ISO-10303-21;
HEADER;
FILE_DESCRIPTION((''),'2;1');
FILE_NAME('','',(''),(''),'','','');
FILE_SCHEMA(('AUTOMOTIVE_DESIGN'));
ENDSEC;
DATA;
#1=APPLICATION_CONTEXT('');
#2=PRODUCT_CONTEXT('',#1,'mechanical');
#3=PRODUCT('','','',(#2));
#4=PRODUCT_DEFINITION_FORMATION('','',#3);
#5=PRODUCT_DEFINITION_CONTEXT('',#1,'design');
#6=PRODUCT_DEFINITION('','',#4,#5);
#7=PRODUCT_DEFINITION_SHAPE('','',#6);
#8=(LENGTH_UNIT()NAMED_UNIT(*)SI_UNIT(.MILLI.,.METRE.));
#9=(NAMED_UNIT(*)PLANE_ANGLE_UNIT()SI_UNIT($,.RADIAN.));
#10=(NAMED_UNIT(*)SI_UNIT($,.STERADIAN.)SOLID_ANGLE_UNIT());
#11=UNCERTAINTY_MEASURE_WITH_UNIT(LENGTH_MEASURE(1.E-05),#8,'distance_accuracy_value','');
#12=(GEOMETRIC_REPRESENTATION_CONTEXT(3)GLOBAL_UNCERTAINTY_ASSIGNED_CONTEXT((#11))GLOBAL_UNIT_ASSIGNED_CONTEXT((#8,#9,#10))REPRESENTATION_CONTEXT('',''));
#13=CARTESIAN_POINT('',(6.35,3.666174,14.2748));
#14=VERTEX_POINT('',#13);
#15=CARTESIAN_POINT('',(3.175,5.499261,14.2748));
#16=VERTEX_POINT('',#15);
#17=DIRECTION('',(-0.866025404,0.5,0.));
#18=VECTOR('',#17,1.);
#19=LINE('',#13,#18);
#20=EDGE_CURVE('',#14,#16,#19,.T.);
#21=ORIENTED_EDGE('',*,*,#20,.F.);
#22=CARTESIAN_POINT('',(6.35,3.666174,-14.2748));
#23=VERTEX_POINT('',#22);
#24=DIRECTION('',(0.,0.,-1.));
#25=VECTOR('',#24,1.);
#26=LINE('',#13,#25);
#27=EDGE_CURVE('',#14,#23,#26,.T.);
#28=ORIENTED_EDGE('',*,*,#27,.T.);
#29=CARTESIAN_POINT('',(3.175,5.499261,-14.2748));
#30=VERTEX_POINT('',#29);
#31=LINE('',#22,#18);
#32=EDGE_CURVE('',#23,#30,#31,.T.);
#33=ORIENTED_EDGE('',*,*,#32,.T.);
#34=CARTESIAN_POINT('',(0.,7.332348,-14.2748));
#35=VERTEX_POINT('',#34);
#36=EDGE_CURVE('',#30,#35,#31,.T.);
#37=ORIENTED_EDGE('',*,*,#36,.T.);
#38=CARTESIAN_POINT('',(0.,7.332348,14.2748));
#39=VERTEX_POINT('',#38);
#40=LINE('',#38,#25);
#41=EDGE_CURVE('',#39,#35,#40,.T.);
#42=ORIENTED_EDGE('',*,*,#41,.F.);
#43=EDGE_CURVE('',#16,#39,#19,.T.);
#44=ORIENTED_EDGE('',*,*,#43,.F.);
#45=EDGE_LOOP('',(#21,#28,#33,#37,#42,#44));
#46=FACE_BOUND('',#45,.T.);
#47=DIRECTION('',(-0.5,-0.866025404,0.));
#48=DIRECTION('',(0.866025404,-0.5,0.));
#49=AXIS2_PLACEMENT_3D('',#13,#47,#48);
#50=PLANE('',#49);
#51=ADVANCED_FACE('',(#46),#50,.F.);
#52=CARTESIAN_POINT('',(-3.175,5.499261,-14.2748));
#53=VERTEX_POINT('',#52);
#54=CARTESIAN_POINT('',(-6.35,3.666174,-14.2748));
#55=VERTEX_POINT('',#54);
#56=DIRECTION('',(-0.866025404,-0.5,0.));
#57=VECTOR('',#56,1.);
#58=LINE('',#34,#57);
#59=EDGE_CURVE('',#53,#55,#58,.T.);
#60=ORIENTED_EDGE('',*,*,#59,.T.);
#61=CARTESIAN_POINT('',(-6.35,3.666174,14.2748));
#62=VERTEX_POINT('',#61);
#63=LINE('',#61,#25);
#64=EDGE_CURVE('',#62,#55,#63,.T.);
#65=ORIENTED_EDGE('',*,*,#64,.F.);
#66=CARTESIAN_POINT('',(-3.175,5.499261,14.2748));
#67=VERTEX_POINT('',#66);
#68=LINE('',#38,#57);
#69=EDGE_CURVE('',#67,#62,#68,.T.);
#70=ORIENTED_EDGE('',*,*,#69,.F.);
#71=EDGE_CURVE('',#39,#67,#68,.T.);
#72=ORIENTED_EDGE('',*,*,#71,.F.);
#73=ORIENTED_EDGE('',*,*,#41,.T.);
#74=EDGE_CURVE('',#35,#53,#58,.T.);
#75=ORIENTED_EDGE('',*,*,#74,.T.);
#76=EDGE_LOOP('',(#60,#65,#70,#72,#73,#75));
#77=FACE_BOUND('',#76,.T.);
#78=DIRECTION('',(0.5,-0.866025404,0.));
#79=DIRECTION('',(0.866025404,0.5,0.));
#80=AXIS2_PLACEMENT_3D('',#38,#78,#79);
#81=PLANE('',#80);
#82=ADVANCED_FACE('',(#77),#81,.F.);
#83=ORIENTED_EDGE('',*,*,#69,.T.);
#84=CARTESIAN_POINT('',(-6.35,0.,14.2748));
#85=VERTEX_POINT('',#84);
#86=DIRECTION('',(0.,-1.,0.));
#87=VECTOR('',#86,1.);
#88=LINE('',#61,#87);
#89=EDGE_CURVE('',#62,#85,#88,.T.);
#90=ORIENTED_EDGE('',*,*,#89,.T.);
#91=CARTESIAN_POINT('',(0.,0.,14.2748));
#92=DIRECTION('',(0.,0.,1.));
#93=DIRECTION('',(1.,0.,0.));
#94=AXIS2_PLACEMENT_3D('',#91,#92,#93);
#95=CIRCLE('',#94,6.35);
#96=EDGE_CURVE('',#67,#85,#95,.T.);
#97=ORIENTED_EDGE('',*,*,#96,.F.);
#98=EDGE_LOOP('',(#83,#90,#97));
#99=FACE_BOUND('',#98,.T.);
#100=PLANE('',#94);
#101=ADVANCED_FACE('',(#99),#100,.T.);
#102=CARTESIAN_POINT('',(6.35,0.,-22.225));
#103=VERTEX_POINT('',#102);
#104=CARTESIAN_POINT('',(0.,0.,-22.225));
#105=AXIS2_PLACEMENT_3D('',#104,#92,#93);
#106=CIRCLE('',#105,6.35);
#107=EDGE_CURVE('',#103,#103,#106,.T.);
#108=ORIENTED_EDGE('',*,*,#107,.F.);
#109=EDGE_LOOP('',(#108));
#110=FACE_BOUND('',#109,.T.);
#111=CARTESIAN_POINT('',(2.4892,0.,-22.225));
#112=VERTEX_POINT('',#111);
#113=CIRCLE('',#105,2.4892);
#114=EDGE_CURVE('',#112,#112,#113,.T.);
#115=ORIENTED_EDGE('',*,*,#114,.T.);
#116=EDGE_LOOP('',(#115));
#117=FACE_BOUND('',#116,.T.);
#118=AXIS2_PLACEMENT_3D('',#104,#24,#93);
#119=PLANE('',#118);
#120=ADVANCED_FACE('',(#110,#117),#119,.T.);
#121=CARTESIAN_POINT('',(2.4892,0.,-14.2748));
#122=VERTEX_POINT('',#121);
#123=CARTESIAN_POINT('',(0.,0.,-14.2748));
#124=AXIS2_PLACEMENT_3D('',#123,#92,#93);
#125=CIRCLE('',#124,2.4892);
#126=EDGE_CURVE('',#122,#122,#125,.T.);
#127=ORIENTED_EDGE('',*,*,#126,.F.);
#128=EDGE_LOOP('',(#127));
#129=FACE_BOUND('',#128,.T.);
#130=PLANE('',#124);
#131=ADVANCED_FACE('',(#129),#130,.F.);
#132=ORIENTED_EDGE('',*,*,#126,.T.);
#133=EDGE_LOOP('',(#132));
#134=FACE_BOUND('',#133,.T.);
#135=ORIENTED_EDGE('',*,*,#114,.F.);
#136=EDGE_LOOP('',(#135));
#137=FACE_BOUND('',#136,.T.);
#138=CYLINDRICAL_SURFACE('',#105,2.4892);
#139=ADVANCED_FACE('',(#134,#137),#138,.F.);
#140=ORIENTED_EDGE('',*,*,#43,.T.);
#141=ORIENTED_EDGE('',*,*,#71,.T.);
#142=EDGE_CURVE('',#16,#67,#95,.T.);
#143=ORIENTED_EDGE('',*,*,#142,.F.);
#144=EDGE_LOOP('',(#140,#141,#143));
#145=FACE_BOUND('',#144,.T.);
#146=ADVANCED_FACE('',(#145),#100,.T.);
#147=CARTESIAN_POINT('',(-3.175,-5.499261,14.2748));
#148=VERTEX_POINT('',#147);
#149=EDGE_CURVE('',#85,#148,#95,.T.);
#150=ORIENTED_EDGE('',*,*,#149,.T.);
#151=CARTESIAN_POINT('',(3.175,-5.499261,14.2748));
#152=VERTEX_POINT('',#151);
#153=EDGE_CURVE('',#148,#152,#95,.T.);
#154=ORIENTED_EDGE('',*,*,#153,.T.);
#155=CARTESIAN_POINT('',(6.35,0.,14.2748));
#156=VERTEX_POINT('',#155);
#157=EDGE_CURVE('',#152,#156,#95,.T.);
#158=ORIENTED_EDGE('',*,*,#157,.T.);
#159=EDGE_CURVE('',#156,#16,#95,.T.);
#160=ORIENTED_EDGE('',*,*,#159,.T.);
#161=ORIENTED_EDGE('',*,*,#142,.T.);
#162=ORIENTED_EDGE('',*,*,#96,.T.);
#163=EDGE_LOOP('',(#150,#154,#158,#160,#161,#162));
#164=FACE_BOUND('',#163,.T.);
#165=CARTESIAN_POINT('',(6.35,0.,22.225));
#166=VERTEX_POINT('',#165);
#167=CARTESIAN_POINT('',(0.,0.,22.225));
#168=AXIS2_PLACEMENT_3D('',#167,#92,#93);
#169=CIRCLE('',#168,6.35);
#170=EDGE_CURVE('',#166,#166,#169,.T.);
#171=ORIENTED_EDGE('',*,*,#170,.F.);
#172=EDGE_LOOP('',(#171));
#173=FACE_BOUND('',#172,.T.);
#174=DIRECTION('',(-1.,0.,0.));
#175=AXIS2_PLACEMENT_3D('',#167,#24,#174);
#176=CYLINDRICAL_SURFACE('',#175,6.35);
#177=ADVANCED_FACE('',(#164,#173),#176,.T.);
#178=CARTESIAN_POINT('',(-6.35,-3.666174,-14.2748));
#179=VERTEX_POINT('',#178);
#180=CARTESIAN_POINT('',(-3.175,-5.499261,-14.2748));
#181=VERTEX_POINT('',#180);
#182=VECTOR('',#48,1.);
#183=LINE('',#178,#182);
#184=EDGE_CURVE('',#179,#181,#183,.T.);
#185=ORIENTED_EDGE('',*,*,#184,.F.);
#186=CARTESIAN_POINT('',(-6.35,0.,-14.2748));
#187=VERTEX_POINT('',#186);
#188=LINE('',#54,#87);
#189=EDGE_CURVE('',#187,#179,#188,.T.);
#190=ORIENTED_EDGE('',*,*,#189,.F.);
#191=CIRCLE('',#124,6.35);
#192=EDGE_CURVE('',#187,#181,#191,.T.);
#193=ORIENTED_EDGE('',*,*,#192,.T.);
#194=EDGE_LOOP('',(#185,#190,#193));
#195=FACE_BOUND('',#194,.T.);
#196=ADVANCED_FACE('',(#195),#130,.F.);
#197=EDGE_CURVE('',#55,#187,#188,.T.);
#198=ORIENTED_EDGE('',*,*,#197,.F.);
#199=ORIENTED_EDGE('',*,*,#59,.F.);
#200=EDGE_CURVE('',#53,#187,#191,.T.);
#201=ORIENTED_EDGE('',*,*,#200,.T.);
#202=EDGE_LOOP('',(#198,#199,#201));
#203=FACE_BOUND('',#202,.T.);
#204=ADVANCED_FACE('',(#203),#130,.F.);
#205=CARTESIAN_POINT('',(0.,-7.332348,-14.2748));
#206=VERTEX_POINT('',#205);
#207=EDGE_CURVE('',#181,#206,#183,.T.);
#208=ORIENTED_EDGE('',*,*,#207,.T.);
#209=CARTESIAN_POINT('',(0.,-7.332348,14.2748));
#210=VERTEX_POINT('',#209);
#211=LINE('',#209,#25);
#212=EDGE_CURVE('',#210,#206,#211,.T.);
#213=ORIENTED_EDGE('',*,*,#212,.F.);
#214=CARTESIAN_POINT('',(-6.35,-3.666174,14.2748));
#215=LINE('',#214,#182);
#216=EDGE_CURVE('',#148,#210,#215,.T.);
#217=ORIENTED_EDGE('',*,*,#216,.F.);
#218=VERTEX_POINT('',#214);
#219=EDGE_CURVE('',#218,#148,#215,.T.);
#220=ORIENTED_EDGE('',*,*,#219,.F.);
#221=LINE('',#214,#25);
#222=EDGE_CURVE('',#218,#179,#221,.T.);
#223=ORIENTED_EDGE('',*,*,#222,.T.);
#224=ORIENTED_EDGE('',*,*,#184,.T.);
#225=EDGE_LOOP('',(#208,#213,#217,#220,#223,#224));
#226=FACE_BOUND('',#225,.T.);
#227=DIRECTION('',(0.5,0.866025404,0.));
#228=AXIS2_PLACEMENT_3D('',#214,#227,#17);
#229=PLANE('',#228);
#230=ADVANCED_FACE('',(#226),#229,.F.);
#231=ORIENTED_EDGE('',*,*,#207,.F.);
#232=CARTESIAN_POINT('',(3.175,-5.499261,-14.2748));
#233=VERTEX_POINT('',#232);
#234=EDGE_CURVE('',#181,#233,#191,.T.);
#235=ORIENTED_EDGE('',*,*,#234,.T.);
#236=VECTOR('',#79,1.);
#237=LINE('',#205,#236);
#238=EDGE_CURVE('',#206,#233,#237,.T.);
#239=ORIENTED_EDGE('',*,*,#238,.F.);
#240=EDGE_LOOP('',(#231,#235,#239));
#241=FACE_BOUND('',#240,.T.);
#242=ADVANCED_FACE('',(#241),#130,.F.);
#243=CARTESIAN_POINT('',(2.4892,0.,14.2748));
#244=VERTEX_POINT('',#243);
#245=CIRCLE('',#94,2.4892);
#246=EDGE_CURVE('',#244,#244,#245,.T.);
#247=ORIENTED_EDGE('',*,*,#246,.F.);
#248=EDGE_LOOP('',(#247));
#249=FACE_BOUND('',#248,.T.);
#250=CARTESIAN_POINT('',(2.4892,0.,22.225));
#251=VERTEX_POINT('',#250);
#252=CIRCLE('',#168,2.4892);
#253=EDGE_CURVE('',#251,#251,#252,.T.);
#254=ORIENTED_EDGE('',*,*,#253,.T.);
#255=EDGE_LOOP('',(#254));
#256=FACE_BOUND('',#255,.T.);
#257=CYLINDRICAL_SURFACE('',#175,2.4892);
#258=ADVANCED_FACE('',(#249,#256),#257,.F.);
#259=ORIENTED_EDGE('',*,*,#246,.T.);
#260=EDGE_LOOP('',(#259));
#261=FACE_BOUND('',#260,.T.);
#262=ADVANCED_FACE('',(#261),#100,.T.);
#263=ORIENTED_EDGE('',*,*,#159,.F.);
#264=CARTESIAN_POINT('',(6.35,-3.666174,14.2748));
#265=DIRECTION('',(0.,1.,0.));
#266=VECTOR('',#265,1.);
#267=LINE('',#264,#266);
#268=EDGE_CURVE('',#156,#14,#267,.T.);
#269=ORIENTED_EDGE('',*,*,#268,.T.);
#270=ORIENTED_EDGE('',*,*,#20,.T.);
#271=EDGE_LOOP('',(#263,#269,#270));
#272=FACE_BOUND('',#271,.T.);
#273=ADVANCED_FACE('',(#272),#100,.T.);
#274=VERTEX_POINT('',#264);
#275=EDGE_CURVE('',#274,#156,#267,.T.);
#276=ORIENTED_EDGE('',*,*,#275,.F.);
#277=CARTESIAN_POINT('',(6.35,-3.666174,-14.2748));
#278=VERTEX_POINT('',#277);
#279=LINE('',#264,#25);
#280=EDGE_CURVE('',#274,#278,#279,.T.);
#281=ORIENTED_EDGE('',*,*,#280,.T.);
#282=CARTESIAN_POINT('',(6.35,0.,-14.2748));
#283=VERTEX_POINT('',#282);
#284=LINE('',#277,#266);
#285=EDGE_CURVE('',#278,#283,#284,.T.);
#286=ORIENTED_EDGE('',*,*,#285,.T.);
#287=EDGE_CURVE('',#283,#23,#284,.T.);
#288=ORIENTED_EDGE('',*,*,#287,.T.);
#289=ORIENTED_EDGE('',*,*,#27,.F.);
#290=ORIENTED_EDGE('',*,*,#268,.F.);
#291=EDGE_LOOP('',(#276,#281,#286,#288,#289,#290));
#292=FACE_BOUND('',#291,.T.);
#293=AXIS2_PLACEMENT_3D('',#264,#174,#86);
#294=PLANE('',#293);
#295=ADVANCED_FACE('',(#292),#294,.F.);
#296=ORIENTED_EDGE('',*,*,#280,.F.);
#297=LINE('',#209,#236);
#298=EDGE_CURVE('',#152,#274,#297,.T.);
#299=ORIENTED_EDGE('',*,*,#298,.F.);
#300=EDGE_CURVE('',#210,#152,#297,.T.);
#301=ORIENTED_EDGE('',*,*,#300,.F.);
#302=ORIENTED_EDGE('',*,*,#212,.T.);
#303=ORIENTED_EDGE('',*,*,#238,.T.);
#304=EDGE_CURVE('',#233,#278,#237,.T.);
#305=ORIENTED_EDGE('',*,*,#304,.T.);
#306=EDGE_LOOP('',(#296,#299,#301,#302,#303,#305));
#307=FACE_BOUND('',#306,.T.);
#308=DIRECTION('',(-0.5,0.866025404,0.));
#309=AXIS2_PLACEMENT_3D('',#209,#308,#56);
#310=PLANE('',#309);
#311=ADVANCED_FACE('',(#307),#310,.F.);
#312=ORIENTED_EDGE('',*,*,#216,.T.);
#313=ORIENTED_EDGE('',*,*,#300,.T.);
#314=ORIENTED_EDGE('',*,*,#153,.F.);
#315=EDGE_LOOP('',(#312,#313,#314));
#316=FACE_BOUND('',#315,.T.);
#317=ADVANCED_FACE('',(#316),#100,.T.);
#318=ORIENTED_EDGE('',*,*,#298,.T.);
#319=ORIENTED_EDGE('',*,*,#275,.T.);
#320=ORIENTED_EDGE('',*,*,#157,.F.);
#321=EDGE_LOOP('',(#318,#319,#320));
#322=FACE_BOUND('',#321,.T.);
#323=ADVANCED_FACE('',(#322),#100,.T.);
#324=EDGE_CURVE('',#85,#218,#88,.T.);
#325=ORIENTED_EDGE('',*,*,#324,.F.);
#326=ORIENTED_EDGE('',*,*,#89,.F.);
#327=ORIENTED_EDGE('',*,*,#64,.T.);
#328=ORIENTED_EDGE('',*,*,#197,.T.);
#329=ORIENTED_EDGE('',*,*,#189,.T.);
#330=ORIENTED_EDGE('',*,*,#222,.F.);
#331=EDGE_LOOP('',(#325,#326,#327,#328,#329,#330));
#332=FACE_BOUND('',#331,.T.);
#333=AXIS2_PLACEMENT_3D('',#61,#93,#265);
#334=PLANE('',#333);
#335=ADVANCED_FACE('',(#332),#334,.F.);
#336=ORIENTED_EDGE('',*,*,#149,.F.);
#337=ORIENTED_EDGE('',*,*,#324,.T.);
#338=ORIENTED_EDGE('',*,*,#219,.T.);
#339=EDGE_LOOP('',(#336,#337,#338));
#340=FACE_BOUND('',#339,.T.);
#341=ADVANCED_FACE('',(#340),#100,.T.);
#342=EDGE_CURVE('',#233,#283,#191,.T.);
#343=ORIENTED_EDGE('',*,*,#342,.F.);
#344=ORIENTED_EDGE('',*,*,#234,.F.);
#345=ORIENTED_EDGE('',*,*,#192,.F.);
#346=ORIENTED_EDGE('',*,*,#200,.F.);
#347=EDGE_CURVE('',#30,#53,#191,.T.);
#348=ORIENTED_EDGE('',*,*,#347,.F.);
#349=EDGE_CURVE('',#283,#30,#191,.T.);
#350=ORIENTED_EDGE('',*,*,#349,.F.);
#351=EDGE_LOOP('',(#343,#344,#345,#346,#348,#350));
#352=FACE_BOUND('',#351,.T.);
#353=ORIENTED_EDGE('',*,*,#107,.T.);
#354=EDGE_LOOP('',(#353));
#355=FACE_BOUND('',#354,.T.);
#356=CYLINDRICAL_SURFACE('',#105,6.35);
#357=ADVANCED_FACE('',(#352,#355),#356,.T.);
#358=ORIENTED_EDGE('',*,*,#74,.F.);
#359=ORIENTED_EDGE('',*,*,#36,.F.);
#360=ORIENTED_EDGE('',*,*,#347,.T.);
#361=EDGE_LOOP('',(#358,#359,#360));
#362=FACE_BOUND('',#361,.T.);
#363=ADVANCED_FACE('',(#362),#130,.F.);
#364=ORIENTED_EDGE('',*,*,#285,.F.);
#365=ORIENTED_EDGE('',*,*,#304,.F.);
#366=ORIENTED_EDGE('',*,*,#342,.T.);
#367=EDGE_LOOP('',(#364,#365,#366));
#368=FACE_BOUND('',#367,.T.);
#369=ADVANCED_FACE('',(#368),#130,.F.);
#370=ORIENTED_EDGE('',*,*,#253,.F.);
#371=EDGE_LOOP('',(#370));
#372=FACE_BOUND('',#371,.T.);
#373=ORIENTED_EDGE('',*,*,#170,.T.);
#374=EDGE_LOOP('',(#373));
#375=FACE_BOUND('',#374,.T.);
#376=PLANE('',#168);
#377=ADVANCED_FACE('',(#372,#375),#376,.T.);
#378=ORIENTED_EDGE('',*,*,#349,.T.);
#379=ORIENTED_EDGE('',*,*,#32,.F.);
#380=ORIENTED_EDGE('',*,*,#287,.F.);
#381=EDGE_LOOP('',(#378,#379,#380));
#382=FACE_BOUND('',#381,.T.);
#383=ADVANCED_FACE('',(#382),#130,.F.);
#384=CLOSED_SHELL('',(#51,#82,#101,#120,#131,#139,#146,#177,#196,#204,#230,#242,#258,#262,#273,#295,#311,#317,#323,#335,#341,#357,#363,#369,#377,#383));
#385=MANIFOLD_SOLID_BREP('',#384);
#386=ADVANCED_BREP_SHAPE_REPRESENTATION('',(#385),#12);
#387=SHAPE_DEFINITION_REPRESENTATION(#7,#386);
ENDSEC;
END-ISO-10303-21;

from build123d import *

# Parameters (mm, degrees)
BOSS_EXTRUDE1_DEPTH = 14.2748
SKETCH2_R           = 6.35
SKETCH2_R_2         = 2.4892
BOSS_EXTRUDE2_DEPTH = 7.9502


with BuildPart() as part:
    # Sketch1 → Boss-Extrude1 (new, symmetric)
    with BuildSketch(Plane.XY):
        Polygon((0, 7.332348419), (-6.35, 3.666174209), (-6.35, -3.666174209), (0, -7.332348419), (6.35, -3.666174209), (6.35, 3.666174209), align=None)
    extrude(amount=BOSS_EXTRUDE1_DEPTH, both=True)

    # Sketch2 → Boss-Extrude2 (add)
    with BuildSketch(Plane.XY.offset(14.2748)):
        Circle(SKETCH2_R)
        Circle(SKETCH2_R_2, mode=Mode.SUBTRACT)
    boss_extrude2 = extrude(amount=BOSS_EXTRUDE2_DEPTH)

    # Mirror1: Boss-Extrude2 across plane
    add(boss_extrude2.mirror(Plane.XY))


solid = part.part
